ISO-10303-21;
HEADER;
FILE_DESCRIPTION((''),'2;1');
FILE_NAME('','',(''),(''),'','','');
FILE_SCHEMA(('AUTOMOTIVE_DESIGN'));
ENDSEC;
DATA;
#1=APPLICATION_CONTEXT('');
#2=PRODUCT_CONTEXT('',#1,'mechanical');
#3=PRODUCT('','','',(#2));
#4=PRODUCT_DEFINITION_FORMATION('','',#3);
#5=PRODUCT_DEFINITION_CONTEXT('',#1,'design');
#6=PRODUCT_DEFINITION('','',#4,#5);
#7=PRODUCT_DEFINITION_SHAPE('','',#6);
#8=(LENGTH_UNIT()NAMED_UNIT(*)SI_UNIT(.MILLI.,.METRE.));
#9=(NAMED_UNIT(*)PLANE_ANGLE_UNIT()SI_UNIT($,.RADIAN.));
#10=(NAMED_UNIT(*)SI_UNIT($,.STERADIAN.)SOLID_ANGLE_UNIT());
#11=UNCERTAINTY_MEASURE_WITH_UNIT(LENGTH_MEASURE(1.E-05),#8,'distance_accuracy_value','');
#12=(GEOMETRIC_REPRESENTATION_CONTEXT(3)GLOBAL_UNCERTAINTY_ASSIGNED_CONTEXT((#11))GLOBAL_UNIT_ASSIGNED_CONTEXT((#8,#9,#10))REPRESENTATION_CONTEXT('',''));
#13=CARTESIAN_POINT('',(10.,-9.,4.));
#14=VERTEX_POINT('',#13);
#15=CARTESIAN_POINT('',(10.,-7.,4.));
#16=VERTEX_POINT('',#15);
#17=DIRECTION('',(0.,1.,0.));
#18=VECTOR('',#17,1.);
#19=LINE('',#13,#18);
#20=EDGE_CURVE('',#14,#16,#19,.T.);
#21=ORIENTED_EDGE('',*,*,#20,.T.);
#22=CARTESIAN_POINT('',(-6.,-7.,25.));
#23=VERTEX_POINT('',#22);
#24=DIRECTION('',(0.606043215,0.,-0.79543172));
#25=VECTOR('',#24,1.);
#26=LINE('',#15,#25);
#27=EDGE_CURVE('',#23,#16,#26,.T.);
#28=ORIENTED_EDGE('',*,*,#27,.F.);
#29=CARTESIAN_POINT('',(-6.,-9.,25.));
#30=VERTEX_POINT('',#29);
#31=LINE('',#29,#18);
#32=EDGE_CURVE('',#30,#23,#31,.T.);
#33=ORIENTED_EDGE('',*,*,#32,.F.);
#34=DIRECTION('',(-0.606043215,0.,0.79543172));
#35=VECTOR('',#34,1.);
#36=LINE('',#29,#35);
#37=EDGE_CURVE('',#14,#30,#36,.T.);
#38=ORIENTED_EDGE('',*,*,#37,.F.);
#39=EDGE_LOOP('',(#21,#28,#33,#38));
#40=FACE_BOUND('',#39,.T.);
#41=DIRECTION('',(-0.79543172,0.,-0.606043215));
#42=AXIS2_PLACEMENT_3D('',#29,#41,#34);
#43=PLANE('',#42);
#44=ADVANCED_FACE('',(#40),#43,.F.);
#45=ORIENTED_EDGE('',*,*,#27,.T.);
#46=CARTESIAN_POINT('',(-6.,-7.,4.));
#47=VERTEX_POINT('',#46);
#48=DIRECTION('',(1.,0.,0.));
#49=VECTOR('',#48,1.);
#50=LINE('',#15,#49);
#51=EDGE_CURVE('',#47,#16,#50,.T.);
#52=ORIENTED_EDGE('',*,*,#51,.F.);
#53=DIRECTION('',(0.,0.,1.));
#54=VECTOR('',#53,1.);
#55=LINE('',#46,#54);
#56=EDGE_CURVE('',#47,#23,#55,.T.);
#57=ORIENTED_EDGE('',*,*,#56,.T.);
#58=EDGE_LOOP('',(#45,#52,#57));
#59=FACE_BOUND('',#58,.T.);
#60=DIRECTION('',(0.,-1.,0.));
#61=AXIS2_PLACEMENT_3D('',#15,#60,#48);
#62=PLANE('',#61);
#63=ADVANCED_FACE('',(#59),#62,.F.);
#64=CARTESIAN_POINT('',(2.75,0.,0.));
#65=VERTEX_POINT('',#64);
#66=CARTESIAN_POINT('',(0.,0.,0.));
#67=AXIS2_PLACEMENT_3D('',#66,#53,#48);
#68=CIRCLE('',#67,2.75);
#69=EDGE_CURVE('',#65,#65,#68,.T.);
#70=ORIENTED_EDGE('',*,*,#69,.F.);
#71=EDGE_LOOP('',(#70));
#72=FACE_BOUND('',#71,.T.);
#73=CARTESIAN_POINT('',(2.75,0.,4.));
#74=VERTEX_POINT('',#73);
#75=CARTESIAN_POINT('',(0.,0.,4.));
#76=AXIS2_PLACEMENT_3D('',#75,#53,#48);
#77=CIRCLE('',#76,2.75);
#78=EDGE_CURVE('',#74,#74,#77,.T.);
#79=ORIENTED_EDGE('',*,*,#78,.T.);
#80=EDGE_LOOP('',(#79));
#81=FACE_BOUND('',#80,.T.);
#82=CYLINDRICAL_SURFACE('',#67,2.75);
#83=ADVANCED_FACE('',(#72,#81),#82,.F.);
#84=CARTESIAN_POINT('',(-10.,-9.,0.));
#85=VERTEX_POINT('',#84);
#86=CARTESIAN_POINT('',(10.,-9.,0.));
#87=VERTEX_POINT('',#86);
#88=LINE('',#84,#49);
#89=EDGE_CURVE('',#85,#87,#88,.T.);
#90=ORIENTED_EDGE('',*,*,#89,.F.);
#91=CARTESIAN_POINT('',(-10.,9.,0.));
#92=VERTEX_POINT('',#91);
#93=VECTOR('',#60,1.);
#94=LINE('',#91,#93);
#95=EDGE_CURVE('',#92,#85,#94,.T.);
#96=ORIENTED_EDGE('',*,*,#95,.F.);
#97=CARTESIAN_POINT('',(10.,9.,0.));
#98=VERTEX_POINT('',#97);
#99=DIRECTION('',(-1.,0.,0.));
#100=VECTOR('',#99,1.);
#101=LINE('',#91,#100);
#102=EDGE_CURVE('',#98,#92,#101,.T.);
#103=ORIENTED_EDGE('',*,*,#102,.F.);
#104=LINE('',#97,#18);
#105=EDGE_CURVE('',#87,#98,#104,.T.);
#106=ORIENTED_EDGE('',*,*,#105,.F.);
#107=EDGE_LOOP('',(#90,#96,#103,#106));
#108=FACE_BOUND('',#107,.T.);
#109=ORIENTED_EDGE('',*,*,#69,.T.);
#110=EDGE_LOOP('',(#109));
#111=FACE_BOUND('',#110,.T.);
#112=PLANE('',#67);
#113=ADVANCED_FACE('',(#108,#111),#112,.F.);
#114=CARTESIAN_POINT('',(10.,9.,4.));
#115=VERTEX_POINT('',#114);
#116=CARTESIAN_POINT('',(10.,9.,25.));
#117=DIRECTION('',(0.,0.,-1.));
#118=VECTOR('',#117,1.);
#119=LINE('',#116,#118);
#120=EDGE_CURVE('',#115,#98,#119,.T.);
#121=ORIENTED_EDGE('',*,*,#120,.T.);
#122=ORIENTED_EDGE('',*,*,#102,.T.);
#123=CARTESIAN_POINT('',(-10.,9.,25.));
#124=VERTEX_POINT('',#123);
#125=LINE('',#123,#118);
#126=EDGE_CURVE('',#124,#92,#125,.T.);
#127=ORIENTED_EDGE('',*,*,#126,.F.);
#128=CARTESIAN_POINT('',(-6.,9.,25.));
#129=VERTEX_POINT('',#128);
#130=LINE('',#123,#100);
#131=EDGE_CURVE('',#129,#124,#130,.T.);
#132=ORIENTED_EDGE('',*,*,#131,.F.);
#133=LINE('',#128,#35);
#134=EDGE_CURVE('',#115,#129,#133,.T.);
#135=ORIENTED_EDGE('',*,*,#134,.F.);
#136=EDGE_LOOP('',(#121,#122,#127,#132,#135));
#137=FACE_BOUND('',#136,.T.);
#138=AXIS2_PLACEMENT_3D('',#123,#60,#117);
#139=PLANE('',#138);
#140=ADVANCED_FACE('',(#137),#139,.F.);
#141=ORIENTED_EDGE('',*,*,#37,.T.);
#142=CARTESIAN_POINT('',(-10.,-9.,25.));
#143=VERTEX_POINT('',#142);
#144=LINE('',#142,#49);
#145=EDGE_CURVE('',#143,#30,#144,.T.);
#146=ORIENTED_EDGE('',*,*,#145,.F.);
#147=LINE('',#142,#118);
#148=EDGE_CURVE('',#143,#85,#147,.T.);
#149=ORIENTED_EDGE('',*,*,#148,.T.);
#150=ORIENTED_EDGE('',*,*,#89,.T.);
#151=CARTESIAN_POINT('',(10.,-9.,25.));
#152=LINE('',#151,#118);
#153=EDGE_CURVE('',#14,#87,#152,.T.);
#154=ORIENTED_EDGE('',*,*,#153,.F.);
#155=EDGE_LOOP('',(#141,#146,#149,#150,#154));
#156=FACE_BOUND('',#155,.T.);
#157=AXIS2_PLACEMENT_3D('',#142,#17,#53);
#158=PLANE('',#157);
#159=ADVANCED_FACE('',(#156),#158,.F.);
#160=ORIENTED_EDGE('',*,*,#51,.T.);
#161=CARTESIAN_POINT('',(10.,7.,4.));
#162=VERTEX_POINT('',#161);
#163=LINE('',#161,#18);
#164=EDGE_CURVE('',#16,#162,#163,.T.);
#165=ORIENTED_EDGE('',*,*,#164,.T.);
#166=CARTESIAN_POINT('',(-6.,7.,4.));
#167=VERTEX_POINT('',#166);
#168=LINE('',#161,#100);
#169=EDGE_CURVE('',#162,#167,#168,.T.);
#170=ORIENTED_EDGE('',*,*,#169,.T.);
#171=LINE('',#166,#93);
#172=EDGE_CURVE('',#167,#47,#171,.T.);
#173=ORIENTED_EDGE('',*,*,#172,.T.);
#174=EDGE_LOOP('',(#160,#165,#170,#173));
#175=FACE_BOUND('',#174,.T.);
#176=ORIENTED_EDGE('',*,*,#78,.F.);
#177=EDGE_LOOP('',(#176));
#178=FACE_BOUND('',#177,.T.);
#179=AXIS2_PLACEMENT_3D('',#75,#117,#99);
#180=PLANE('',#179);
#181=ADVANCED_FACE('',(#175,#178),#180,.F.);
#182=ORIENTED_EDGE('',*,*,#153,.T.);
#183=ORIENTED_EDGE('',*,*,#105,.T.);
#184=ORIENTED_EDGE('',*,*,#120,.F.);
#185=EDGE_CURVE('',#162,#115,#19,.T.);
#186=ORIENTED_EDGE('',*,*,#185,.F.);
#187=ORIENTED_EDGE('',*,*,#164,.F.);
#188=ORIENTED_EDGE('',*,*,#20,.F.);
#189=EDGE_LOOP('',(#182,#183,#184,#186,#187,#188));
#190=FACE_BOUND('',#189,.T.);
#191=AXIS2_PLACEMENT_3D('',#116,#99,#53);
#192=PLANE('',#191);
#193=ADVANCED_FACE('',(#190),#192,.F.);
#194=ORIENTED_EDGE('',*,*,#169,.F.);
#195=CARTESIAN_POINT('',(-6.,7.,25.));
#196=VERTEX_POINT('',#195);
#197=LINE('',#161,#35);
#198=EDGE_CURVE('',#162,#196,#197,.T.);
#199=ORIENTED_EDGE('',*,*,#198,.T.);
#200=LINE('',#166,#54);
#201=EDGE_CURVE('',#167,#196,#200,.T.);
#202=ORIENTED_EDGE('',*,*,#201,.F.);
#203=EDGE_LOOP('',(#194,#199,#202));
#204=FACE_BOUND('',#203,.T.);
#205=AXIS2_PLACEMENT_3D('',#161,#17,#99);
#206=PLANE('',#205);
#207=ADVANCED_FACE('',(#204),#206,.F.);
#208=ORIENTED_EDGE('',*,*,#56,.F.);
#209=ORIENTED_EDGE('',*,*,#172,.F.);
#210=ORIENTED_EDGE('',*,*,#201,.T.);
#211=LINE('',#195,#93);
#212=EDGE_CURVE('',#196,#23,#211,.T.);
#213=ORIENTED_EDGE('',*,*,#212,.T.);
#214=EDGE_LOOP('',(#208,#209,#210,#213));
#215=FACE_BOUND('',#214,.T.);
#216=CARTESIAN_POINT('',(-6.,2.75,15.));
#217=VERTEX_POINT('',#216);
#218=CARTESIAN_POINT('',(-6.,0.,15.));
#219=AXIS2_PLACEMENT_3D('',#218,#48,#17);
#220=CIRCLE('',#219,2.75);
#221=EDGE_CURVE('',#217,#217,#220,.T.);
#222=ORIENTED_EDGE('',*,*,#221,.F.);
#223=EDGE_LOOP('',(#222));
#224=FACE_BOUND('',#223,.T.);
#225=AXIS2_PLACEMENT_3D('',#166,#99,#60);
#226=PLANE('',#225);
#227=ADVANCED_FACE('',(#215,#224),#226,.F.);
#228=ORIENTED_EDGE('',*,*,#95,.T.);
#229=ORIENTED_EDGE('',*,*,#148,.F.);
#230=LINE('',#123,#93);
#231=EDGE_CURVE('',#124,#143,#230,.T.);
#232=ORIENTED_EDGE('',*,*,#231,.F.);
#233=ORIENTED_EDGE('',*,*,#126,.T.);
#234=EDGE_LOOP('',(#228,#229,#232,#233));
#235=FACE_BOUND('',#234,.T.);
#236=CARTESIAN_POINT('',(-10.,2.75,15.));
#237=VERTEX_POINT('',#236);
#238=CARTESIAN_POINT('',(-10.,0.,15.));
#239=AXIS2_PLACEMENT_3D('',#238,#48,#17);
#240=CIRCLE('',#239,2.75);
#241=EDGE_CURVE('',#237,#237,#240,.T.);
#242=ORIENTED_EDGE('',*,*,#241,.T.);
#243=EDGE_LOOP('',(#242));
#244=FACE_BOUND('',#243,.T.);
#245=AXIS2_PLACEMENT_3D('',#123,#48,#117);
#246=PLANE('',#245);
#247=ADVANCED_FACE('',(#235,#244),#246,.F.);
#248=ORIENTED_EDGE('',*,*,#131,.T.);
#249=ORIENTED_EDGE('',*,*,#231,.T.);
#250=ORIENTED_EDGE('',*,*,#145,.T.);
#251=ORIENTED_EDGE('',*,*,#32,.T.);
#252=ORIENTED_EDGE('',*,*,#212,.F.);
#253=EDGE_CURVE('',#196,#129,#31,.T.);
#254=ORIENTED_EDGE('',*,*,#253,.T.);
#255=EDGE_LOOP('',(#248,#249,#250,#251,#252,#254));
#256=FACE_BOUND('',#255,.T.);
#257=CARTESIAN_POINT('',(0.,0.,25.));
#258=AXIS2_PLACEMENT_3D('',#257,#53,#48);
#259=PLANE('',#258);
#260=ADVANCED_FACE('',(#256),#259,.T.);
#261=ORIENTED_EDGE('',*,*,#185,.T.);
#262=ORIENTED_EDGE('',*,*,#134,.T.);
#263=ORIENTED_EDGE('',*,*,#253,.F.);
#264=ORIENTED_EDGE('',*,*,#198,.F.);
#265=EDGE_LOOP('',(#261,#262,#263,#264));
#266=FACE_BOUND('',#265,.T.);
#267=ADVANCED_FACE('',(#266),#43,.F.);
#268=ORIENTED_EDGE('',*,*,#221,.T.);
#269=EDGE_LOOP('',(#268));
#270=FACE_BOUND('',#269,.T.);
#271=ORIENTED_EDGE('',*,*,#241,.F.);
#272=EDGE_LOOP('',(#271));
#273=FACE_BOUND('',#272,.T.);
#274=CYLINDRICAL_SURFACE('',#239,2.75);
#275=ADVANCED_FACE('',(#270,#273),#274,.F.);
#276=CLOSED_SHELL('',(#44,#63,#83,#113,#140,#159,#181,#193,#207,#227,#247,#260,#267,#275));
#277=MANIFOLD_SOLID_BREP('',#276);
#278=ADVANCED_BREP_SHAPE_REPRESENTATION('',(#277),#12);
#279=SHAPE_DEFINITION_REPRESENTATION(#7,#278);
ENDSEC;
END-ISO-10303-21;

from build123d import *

# Parameters (mm, degrees)
SKETCH_1_W               = 20
SKETCH_1_H               = 18
EXTRUDE_1_DEPTH          = 25
SKETCH_2_W               = 16
SKETCH_2_H               = 14
CUT_EXTRUDE_1_DEPTH      = 21
CUT_EXTRUDE_2_DEPTH      = 32.320919527
CUT_EXTRUDE_2_DEPTH_BACK = 32.320919527
CUT_EXTRUDE_3_DEPTH      = 25.939927827
CUT_EXTRUDE_3_DEPTH_BACK = 25.939927827
SKETCH_5_R               = 2.75
CUT_EXTRUDE_4_DEPTH      = 32.016124839
CUT_EXTRUDE_4_DEPTH_BACK = 32.016124839
SKETCH_6_R               = 2.75


with BuildPart() as part:
    # 스케치1 → 보스-돌출1 (new body)
    with BuildSketch(Plane.XY):
        Rectangle(SKETCH_1_W, SKETCH_1_H)
    extrude(amount=EXTRUDE_1_DEPTH)

    # 스케치2 → 컷-돌출1 (cut)
    with BuildSketch(Plane.XY.offset(25)):
        with Locations((2, 0)):
            Rectangle(SKETCH_2_W, SKETCH_2_H)
    extrude(amount=-CUT_EXTRUDE_1_DEPTH, mode=Mode.SUBTRACT)

    # 스케치4 → 컷-돌출2 (cut, two sides: drawn at the far end of the back side and taken through both)
    with BuildSketch(Plane(origin=(0, -7, 0), x_dir=(1, 0, 0), z_dir=(0, 1, 0)).offset(-CUT_EXTRUDE_2_DEPTH_BACK)):
        Polygon((-6, -25), (10, -4), (10, -25), align=None)
    extrude(amount=CUT_EXTRUDE_2_DEPTH + CUT_EXTRUDE_2_DEPTH_BACK, mode=Mode.SUBTRACT)

    # 스케치5 → 컷-돌출3 (cut, two sides: drawn at the far end of the back side and taken through both)
    with BuildSketch(Plane.XY.offset(4).offset(-CUT_EXTRUDE_3_DEPTH_BACK)):
        Circle(SKETCH_5_R)
    extrude(amount=CUT_EXTRUDE_3_DEPTH + CUT_EXTRUDE_3_DEPTH_BACK, mode=Mode.SUBTRACT)

    # 스케치6 → 컷-돌출4 (cut, two sides: drawn at the far end of the back side and taken through both)
    with BuildSketch(Plane(origin=(-6, 0, 0), x_dir=(0, 0, -1), z_dir=(1, 0, 0)).offset(-CUT_EXTRUDE_4_DEPTH_BACK)):
        with Locations(Location((-15, 0, 0), (0, 0, 90))):
            Circle(SKETCH_6_R)
    extrude(amount=CUT_EXTRUDE_4_DEPTH + CUT_EXTRUDE_4_DEPTH_BACK, mode=Mode.SUBTRACT)


solid = part.part
